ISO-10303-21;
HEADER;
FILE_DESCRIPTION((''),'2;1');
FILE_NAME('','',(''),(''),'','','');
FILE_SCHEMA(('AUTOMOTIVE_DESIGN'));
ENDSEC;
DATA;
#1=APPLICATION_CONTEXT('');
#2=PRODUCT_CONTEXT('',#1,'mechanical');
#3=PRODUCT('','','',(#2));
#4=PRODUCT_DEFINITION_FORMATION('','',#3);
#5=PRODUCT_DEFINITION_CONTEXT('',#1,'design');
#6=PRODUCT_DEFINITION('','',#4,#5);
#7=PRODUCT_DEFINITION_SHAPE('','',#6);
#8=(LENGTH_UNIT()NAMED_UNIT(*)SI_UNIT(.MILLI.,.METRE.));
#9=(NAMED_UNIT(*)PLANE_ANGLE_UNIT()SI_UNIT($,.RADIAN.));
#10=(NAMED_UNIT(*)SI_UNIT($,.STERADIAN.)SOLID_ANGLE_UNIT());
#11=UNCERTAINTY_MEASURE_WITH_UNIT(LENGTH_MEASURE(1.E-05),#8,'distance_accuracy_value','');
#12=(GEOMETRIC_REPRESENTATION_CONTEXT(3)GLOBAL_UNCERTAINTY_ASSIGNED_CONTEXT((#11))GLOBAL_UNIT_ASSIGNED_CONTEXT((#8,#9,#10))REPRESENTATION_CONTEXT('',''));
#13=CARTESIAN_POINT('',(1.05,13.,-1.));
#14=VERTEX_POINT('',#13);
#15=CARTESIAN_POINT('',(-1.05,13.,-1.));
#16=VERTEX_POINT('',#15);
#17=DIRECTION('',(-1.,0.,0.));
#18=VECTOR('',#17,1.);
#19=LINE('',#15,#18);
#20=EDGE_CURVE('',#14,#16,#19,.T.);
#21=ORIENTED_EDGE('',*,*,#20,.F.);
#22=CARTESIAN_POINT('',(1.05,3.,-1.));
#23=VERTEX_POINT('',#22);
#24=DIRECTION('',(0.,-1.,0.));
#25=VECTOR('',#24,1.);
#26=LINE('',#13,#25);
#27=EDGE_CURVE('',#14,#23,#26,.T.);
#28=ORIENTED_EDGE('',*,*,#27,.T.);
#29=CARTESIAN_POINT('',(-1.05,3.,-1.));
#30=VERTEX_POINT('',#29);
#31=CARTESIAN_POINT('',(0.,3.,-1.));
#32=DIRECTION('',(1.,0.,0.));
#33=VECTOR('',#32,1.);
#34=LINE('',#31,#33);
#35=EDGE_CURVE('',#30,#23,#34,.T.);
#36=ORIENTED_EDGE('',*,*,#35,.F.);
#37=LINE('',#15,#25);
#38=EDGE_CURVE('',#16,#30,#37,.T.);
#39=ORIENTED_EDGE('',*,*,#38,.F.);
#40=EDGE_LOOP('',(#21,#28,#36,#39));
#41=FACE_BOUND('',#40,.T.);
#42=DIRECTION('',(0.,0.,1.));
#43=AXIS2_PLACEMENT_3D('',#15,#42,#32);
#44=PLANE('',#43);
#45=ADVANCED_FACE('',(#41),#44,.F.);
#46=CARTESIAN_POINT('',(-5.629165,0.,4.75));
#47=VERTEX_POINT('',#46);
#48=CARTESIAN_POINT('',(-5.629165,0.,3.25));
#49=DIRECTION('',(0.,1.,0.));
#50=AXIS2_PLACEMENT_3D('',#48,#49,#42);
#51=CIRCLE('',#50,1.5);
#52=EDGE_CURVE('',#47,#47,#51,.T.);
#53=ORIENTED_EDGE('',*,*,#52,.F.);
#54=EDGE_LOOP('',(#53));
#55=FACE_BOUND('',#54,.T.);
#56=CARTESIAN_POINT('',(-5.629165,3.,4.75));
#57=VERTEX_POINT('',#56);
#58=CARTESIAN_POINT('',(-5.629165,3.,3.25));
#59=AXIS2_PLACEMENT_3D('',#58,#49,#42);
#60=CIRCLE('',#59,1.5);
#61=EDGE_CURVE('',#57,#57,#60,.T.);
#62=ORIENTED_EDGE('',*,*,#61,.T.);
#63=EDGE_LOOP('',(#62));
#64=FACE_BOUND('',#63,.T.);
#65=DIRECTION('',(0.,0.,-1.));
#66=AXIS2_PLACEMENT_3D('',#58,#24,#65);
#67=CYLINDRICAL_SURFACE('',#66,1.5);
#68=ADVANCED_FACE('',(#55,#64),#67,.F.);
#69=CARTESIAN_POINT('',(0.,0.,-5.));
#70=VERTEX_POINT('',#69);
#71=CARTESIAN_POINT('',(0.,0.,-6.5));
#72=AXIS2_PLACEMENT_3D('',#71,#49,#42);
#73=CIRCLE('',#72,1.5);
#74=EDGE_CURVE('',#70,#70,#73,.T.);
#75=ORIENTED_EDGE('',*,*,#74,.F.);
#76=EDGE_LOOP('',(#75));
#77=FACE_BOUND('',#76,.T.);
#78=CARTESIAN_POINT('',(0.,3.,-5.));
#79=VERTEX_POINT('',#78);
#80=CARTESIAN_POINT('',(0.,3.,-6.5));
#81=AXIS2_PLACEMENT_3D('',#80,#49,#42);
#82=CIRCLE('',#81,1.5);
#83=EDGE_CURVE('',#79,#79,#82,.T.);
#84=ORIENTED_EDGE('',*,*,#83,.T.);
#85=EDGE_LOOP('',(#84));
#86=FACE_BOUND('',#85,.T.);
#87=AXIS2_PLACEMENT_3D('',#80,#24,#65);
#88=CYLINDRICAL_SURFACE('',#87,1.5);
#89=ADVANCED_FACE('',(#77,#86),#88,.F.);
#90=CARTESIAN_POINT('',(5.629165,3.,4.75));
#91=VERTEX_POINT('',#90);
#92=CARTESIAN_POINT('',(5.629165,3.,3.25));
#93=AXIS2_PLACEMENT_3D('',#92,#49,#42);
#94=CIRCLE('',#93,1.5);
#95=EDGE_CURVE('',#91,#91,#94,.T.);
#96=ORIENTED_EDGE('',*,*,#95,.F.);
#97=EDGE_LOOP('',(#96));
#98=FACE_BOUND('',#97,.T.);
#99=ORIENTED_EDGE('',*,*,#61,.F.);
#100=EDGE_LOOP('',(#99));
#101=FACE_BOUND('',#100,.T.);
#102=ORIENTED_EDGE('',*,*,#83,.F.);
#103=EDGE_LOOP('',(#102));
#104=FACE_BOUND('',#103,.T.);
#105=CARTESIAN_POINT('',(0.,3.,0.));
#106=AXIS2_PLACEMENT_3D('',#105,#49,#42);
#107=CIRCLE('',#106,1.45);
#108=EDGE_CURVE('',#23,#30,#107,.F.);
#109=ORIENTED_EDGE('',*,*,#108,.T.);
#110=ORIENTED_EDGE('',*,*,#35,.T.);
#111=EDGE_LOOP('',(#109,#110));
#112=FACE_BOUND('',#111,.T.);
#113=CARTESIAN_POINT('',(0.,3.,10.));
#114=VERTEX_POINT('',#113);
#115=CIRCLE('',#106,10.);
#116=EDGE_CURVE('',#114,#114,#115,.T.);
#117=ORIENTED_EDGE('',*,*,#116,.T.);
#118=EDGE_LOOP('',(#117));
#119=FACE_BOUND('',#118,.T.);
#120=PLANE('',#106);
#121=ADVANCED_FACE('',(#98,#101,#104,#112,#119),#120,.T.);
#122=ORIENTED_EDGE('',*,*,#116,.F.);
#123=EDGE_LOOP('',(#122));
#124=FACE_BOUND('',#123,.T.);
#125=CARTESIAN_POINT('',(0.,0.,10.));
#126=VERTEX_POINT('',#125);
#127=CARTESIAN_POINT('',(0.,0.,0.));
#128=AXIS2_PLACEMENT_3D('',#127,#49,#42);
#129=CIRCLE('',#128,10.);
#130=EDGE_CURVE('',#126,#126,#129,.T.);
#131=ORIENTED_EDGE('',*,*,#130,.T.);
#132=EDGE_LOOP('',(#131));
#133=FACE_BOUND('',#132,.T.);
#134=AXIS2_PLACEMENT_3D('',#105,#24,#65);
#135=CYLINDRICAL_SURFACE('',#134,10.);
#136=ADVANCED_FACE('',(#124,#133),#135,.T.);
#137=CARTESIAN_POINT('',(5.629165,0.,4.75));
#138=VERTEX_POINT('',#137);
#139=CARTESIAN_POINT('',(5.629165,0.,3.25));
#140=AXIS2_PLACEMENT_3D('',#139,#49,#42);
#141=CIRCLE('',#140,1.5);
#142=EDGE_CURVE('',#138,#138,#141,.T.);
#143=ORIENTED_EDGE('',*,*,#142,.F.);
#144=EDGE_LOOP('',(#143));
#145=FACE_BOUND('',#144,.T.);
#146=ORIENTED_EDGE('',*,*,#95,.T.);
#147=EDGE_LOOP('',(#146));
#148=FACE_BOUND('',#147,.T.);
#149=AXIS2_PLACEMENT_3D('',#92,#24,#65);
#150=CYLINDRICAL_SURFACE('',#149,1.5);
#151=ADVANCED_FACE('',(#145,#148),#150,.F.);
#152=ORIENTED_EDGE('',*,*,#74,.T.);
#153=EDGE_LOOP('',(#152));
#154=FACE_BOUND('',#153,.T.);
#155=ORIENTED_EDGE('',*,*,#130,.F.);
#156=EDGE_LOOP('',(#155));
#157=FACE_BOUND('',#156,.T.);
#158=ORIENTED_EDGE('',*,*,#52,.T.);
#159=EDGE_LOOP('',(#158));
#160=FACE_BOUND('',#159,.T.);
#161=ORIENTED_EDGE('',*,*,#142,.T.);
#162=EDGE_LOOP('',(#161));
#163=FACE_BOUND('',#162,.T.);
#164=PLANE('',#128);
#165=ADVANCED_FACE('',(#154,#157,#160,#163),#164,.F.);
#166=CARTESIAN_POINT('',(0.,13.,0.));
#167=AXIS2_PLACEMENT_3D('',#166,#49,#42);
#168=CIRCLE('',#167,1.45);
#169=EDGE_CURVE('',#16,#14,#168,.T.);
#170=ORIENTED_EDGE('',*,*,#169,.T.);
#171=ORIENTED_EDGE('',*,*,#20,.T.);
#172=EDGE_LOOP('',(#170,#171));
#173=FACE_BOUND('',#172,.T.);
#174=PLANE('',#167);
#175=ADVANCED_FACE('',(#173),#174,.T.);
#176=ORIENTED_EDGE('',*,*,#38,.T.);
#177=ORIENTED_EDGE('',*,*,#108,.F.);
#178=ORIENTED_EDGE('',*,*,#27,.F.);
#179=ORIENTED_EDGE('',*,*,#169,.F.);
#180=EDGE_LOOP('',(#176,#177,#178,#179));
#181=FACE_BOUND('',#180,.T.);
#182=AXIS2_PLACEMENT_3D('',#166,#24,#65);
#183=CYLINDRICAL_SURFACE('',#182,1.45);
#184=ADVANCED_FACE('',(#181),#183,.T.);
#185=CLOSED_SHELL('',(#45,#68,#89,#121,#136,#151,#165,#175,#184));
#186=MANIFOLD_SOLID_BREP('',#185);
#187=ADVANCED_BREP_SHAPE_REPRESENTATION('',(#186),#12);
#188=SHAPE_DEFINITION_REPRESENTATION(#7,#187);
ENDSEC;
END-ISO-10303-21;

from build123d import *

# Parameters (mm, degrees)
SKETCH_1_R      = 10
SKETCH_1_R_2    = 1.5
EXTRUDE_1_DEPTH = 3
EXTRUDE_2_DEPTH = 13


with BuildPart() as part:
    # 草图1 → 凸台-拉伸1 (new body)
    with BuildSketch(Plane(origin=(0, 0, 0), x_dir=(1, 0, 0), z_dir=(0, 1, 0))):
        with Locations(Location((0, 0, 0), (0, 0, 270))):
            Circle(SKETCH_1_R)
        with Locations(Location((0, 6.5, 0), (0, 0, 270))):
            Circle(SKETCH_1_R_2, mode=Mode.SUBTRACT)
        with Locations(Location((5.629165125, -3.25, 0), (0, 0, 270))):
            Circle(SKETCH_1_R_2, mode=Mode.SUBTRACT)
        with Locations(Location((-5.629165125, -3.25, 0), (0, 0, 270))):
            Circle(SKETCH_1_R_2, mode=Mode.SUBTRACT)
    extrude(amount=EXTRUDE_1_DEPTH)

    # 草图2 → 凸台-拉伸2 (add)
    with BuildSketch(Plane(origin=(0, 0, 0), x_dir=(1, 0, 0), z_dir=(0, 1, 0))):
        with BuildLine():
            Line((-1.05, 1), (1.05, 1))
            ThreePointArc((1.05, 1), (0, -1.45), (-1.05, 1))
        make_face()
    extrude(amount=EXTRUDE_2_DEPTH)


solid = part.part
